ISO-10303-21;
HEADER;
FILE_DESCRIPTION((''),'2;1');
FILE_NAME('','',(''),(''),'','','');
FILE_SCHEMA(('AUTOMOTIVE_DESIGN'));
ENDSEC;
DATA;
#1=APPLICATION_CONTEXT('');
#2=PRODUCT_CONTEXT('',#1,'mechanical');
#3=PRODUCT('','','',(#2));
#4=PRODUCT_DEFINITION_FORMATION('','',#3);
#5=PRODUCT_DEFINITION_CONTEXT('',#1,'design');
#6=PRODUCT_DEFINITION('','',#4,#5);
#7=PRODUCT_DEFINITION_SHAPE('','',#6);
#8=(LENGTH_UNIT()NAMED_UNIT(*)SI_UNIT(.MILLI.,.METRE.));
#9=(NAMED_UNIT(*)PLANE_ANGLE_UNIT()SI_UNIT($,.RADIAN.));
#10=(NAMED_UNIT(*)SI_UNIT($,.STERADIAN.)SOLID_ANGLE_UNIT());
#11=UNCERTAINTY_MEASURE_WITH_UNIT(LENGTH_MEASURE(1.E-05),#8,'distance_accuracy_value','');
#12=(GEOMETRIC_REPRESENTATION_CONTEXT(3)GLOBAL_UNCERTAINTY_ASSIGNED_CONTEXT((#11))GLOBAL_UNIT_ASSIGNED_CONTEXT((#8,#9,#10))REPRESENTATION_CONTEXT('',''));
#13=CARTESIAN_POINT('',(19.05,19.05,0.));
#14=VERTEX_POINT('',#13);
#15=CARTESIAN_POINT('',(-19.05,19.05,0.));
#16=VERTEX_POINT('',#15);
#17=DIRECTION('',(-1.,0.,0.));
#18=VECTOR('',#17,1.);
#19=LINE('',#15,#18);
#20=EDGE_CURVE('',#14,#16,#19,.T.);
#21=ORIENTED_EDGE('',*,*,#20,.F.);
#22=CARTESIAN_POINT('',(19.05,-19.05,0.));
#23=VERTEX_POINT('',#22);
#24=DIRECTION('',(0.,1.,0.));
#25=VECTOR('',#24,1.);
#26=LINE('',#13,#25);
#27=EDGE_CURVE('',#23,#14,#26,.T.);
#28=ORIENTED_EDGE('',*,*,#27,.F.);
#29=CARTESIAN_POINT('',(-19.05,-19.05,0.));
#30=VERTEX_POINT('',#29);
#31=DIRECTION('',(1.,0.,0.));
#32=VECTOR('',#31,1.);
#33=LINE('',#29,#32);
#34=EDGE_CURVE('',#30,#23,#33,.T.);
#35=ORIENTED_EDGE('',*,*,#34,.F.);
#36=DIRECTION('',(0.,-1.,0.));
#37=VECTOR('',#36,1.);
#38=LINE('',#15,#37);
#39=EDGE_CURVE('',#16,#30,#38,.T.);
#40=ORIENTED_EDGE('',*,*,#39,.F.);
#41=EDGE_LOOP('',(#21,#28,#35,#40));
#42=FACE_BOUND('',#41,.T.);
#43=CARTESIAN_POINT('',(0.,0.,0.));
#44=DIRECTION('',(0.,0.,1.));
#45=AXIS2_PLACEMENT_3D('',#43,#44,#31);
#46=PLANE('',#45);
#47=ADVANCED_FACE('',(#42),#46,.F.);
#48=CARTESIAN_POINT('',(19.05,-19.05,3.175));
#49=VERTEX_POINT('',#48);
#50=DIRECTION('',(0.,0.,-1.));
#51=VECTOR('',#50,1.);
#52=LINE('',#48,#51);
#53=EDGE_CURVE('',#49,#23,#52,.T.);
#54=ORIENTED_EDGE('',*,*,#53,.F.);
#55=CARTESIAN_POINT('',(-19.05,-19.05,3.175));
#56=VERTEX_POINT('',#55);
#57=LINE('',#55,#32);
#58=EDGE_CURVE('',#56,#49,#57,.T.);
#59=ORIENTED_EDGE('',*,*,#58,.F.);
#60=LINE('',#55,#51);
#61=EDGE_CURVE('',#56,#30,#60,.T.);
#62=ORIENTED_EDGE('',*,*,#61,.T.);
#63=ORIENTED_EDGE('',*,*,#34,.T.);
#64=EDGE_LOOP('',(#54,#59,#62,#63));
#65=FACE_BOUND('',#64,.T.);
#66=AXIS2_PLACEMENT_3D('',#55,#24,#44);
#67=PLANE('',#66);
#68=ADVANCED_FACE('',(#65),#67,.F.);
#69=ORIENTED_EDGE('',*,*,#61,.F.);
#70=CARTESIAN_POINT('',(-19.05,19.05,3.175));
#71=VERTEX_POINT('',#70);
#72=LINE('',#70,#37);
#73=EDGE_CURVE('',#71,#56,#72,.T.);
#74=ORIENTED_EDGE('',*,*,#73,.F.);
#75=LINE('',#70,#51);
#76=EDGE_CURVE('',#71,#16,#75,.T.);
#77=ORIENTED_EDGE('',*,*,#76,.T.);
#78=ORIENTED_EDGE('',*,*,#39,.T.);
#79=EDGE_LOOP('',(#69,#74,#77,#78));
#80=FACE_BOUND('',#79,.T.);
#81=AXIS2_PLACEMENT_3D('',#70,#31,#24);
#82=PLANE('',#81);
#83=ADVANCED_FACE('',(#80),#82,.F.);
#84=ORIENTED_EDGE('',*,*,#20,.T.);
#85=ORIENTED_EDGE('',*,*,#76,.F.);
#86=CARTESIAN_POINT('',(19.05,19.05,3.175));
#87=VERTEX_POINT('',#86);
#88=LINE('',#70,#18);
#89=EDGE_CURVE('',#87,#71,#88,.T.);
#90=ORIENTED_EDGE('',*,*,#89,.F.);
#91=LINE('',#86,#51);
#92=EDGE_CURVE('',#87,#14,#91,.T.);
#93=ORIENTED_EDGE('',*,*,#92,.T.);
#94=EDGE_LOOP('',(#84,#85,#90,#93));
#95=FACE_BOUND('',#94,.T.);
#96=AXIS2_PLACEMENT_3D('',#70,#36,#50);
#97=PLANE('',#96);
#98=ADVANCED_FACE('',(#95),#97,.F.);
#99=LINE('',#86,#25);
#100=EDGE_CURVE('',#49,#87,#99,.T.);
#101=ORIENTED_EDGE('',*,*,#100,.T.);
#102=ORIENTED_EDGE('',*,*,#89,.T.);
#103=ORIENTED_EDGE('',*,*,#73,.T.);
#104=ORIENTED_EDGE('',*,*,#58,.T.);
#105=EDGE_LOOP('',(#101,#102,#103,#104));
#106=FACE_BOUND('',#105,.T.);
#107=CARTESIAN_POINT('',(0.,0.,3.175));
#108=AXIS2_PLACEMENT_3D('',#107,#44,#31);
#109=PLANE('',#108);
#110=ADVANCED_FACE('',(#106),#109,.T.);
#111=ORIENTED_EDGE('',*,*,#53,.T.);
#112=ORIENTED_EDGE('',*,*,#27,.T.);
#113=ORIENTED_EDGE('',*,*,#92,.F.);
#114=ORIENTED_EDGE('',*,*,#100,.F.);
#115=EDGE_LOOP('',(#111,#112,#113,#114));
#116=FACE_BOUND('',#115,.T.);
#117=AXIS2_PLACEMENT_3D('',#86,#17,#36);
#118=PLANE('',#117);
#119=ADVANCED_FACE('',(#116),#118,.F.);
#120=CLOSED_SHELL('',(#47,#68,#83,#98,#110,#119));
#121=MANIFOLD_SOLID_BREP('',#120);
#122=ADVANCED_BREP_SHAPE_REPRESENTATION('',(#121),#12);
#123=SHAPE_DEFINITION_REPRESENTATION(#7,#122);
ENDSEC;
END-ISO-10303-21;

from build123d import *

# Parameters (mm, degrees)
SKETCH1_W           = 38.1
SKETCH1_H           = 38.1
BOSS_EXTRUDE1_DEPTH = 3.175


with BuildPart() as part:
    # Sketch1 → Boss-Extrude1 (new body)
    with BuildSketch(Plane.XY):
        Rectangle(SKETCH1_W, SKETCH1_H)
    extrude(amount=BOSS_EXTRUDE1_DEPTH)


solid = part.part
